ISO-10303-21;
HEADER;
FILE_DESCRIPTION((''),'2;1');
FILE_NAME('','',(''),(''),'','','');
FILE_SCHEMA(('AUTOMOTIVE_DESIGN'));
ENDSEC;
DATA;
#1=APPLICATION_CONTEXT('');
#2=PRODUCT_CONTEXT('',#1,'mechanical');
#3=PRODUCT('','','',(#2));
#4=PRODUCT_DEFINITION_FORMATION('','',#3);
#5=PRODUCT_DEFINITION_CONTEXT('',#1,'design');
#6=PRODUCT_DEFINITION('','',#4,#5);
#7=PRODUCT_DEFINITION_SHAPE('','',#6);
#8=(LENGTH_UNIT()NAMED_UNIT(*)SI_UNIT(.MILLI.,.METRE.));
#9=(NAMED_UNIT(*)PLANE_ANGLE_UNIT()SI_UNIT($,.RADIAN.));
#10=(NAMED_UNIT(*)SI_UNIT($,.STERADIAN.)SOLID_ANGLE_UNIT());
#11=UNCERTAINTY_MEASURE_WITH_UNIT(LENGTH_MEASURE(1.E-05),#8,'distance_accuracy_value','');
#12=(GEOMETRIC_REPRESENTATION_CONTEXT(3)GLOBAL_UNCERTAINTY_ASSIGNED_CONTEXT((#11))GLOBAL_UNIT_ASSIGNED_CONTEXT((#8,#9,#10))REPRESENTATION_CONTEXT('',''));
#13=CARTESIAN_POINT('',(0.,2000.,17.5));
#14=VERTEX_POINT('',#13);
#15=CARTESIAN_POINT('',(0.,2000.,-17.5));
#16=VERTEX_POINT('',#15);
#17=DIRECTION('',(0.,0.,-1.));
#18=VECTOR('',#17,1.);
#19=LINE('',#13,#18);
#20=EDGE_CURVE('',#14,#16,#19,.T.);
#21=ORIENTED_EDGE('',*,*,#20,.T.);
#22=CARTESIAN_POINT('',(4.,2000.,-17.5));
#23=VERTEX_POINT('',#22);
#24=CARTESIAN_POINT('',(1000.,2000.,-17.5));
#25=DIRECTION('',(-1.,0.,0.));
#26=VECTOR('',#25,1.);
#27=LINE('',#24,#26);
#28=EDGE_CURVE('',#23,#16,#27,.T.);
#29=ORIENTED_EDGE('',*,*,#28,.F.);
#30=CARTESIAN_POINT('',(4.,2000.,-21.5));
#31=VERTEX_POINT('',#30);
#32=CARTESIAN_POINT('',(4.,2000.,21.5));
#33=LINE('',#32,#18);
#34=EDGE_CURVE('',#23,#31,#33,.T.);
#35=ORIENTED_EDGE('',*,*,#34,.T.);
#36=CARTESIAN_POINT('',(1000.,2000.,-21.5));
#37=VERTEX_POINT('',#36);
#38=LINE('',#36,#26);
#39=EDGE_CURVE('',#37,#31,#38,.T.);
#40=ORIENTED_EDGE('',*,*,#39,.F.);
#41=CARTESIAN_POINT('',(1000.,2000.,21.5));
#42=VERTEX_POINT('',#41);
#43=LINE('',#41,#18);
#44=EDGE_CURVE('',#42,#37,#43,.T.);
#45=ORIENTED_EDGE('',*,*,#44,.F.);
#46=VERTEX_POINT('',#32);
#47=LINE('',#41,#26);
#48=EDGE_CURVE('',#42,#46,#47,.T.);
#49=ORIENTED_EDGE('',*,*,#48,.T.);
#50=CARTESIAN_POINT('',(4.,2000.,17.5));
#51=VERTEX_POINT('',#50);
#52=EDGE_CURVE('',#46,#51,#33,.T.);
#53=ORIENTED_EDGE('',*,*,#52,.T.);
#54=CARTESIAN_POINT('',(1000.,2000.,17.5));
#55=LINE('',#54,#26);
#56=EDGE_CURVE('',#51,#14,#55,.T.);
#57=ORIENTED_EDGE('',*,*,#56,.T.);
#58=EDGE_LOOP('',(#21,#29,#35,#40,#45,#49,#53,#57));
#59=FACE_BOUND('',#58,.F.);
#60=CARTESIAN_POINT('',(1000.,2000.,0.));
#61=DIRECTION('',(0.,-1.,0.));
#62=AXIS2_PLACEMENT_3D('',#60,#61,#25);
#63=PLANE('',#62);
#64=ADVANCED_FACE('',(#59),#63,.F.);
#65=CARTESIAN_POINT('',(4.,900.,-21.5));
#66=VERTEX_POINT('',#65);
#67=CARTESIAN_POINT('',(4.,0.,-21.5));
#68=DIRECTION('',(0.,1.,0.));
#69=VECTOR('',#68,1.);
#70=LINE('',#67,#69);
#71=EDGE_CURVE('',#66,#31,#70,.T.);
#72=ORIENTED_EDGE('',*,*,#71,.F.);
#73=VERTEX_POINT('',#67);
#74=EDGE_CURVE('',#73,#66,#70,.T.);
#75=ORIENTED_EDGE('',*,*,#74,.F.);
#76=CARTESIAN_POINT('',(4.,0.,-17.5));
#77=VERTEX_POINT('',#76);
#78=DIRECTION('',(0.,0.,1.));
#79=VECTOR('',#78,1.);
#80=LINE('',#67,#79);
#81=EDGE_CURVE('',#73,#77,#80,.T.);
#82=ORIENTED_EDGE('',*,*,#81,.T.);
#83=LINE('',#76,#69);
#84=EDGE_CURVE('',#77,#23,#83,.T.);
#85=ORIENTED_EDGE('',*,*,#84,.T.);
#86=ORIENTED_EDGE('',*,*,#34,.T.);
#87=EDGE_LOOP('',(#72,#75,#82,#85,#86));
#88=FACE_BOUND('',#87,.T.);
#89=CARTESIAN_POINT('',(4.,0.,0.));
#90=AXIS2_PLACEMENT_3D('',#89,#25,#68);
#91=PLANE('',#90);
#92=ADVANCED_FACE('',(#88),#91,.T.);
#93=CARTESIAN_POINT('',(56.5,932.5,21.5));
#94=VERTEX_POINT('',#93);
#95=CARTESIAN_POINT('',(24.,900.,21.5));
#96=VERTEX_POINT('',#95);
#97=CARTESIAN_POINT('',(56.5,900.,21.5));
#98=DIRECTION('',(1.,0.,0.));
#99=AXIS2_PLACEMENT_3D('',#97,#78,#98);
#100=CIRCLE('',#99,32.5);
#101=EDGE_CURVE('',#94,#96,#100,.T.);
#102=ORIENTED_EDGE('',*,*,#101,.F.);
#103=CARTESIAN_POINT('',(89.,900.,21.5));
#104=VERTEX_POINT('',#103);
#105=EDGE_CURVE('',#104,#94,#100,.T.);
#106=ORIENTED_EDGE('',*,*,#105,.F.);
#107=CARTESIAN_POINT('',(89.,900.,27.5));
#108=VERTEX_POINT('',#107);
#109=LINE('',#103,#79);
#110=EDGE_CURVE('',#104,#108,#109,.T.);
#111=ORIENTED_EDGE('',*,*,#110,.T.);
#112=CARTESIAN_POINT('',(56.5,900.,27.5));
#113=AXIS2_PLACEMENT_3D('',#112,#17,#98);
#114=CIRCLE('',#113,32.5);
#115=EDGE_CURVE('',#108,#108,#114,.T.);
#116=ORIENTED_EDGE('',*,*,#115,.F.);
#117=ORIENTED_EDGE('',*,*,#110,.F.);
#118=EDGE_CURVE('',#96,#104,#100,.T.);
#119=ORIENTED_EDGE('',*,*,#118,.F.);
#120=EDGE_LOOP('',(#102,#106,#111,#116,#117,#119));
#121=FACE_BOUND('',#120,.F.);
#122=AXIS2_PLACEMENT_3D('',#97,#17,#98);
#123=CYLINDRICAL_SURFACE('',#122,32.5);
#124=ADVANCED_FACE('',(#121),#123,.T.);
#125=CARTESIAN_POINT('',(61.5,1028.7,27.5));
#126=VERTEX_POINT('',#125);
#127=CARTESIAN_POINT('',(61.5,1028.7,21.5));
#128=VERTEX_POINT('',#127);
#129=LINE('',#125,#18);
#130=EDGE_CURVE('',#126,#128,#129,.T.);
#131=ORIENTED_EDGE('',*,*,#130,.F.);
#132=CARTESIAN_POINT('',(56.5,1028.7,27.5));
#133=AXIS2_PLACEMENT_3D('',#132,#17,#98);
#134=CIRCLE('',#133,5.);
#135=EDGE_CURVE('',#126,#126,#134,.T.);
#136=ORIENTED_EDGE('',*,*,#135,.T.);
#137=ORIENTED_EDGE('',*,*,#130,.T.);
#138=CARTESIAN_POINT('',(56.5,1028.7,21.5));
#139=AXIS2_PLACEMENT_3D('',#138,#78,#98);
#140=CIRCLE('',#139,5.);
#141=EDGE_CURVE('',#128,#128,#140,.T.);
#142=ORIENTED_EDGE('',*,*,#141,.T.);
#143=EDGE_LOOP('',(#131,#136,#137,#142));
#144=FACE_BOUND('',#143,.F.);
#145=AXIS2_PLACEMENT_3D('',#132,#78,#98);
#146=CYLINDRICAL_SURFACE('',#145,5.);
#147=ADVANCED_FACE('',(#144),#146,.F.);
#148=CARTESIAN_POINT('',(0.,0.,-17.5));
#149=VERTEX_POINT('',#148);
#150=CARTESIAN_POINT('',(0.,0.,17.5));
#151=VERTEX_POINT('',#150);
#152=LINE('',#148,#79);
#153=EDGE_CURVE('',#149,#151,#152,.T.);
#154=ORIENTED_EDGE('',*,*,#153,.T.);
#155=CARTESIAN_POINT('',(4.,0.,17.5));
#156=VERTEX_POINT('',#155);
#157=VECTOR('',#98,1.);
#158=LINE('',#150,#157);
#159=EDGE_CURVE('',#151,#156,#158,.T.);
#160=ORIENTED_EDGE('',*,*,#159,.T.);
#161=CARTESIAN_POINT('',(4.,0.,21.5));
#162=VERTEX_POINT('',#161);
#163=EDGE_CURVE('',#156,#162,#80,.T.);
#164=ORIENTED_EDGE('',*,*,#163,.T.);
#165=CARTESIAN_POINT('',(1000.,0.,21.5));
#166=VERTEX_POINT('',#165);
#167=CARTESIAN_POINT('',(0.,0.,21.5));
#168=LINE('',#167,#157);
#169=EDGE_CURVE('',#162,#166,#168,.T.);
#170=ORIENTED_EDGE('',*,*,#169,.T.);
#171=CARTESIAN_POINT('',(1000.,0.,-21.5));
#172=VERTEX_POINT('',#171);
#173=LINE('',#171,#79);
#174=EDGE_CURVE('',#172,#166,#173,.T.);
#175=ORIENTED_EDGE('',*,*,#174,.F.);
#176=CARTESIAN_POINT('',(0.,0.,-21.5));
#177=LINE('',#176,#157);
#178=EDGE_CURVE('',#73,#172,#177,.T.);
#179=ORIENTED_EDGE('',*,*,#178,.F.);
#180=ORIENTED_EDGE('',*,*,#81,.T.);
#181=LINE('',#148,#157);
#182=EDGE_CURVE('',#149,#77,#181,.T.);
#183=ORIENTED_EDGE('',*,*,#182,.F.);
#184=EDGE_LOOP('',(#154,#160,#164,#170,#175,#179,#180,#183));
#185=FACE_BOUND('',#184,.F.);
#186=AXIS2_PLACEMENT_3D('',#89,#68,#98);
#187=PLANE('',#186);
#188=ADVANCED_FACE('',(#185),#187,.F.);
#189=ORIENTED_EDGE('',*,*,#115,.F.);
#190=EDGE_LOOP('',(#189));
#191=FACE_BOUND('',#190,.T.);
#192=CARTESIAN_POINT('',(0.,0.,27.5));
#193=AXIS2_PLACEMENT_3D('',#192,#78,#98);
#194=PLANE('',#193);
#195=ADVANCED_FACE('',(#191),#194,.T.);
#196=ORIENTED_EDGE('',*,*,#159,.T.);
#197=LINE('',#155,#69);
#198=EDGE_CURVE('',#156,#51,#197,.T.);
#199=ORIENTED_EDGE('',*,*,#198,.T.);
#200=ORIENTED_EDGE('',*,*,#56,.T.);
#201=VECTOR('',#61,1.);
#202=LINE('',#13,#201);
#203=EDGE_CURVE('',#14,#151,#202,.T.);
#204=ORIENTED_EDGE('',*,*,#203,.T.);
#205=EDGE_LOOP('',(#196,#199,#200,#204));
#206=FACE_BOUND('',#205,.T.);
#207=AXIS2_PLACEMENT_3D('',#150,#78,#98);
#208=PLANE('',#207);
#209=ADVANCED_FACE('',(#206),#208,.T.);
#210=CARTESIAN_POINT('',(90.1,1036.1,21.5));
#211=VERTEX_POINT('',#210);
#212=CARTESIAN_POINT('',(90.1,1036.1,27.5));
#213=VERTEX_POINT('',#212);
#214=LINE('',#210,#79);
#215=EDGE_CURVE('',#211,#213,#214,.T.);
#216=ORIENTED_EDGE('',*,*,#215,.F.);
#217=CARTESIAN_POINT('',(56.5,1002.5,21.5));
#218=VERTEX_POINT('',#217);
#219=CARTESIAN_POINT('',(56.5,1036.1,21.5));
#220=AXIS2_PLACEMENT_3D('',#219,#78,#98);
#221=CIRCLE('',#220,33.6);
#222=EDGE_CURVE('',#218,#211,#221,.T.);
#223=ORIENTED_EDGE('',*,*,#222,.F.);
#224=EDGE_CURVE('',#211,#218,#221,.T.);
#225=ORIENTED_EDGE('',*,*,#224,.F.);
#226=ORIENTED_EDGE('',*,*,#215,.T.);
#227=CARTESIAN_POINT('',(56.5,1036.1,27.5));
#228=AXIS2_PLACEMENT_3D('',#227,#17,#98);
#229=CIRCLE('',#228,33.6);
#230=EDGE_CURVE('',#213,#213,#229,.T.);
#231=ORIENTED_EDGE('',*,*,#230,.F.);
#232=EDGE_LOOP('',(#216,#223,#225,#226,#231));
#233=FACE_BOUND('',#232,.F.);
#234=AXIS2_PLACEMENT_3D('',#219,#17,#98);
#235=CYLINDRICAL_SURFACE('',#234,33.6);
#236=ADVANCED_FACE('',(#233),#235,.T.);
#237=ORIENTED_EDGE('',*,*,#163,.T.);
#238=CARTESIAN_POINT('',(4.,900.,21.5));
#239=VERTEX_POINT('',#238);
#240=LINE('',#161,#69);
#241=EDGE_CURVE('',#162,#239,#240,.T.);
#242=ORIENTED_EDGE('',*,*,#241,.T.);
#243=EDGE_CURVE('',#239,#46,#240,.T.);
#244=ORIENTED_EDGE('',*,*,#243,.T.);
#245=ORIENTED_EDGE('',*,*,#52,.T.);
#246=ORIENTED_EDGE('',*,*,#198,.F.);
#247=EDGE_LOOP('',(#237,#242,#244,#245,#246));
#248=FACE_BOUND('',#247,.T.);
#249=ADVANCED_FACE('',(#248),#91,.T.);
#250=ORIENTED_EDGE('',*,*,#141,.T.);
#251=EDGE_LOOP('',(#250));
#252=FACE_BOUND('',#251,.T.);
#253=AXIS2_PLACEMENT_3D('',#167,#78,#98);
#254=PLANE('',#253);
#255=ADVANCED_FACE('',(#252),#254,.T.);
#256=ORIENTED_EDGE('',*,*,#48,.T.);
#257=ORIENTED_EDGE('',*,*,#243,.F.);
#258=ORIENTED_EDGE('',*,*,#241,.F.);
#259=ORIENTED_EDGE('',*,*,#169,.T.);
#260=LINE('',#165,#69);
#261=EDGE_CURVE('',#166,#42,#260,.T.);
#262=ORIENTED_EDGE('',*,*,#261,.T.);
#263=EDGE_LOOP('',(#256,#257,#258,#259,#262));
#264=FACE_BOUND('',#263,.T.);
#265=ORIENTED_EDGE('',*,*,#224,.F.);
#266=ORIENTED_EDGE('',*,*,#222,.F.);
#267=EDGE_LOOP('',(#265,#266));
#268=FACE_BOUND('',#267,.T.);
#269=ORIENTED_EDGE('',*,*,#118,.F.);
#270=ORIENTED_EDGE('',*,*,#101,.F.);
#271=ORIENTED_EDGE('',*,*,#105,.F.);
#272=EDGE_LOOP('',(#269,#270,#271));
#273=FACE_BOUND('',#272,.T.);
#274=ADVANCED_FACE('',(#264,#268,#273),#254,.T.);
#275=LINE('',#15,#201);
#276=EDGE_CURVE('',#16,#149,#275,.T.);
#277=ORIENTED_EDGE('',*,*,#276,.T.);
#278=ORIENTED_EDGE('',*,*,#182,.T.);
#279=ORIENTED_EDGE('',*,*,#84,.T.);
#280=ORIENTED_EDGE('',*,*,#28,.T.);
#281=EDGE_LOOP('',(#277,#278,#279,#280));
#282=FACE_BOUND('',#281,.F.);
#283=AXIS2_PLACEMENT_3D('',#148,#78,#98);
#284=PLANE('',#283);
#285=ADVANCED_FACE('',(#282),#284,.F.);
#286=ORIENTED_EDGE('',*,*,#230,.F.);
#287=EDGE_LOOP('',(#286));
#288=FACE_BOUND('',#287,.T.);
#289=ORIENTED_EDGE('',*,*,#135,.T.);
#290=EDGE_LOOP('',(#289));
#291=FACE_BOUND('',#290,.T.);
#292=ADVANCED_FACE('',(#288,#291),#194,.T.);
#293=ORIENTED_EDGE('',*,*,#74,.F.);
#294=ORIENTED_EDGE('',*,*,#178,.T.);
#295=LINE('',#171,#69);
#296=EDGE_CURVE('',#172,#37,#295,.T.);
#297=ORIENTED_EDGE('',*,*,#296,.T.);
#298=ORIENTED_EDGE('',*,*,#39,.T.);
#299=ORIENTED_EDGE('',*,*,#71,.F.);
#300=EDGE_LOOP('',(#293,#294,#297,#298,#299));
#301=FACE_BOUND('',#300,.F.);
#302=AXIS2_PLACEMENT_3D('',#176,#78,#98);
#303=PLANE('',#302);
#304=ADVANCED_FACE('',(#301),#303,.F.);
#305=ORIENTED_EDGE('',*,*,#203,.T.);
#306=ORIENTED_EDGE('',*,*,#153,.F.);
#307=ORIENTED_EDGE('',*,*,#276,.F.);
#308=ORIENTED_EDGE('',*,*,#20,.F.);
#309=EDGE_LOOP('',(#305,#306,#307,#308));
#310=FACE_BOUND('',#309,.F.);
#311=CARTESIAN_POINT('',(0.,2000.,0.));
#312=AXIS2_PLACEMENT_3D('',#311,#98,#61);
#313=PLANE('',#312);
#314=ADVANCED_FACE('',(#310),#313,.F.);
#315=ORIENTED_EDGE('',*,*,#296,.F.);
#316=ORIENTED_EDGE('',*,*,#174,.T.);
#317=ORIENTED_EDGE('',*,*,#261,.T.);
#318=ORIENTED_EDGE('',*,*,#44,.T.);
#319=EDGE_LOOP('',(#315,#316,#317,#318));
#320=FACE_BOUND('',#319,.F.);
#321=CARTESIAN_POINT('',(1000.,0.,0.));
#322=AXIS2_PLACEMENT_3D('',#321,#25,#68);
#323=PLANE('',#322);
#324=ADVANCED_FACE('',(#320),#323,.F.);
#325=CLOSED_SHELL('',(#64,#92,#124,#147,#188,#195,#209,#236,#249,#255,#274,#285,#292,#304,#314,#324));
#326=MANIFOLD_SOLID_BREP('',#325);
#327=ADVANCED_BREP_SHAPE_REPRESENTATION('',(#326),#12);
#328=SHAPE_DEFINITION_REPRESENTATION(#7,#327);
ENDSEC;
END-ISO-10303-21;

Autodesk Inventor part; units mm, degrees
ref_plane "YZ Plane" through (0, 0, 0) normal (1, 0, 0) x (0, 1, 0)
ref_plane "XZ Plane" through (0, 0, 0) normal (0, 1, 0) x (-1, 0, 0)
ref_plane "XY Plane" through (0, 0, 0) normal (0, 0, 1) x (1, 0, 0)
sketch "Sketch1" plane through (0, 0, 0) normal (0, 0, 1) x (1, 0, 0)
  line L0 (0, 0) -> (1000, 0)
  line L1 (1000, 0) -> (1000, 2000)
  line L2 (1000, 2000) -> (0, 2000)
  line L3 (0, 2000) -> (0, 0)
  line L4 (0, 0) -> (4, 0)
  line L5 (0, 0) -> (4, 0) construction
  line L6 (4, 0) -> (4, 2000)
  line L7 (4, 0) -> (4, 900)
  line L8 (4, 900) -> (24, 900)
  line L9 (24, 900) -> (56.5, 900)
  circle A0 centre (56.5, 900) radius 32.5
  line L10 (56.5, 932.5) -> (56.5, 1002.5)
  line L11 (56.5, 1002.5) -> (56.5, 1036.1)
  circle A1 centre (56.5, 1036.1) radius 33.6
  line L12 (56.5, 1069.7) -> (56.5, 1037.7)
  line L13 (56.5, 1037.7) -> (56.5, 1064.7)
  line L14 (56.5, 1064.7) -> (56.5, 1028.7)
  line L15 (56.5, 1028.7) -> (56.5, 1010.7)
  line L16 (56.5, 1010.7) -> (58.505, 1010.7)
  line L17 (56.5, 1064.7) -> (58.505, 1064.7)
  line L18 (60.4989, 1062.8571) -> (63.008, 1031.0205)
  line L19 (60.478, 1012.372) -> (62.8086, 1026.3917)
  arc A2 (62.8086, 1026.3917) -> (63.008, 1031.0205) centre (43.9839, 1029.5211) ccw
  arc A3 (60.4989, 1062.8571) -> (58.505, 1064.7) centre (58.505, 1062.7) ccw
  arc A4 (58.505, 1010.7) -> (60.478, 1012.372) centre (58.505, 1012.7) ccw
  line L20 (63.0493, 1028.7) -> (56.5, 1028.7)
  circle A5 centre (56.5, 1028.7) radius 5
  point P0 (60.2, 1010.7)
  point P1 (60.3536, 1064.7)
  point P2 (49.8, 1028.7)
  dimension "d11" = 65
  dimension "d0" = 1000
  dimension "d1" = 2000
  dimension "d2" = 4
  dimension "d8" = 900
  dimension "d9" = 20
  dimension "d10" = 32.5
  dimension "d12" = 70
  dimension "d13" = 33.6
  dimension "d24" = 32
  dimension "d25" = 27
  dimension "d26" = 36
  dimension "d27" = 18
  dimension "d28" = 3.7
  dimension "d31" = 2
  dimension "d32" = 6.5493
  dimension "d33" = 10
extrude "Extrusion1" add sketch "Sketch1" along normal mid plane 43 contours A1 L12 L14 L11 A5 | L11 L16 A4 L19 A2 L18 A3 L17 L12 A1 | A0 | L6 L2 L1 L0 | L11 A5 L20 A2 L19 A4 L16 | A5 L11 | L11 L20 A5 | L17 A3 L18 A2 L20 A5 L11 L14 L12 | L11 A5 L20
extrude "Extrusion2" add sketch "Sketch1" along normal mid plane 35 contours L3 L2 L6 L0
extrude "Extrusion3" add sketch "Sketch1" along normal blind 6 from surface at 21.5 contours A1 L12 L14 L11 A5 | L11 L16 A4 L19 A2 L18 A3 L17 L12 A1 | A0 | L11 A5 L20 A2 L19 A4 L16 | A5 L11 | L11 L20 A5 | L17 A3 L18 A2 L20 A5 L11 L14 L12 | L11 A5 L20
sketch "Sketch2" plane through (0, 0, 17.5) normal (-1, 0, 0) x (0, 0, 1)
  line L0 (-35, 0) -> (-35, 2000) projected
  line L1 (-17.5, 0) -> (1182.5, 0) construction
  line L2 (10, 1069.7) -> (10, 1002.5) projected
  line L3 (10, 1036.1) -> (-17.5, 1036.1)
  line L4 (10, 932.5) -> (10, 867.5) projected
  line L5 (10, 900) -> (-17.5, 900)
  line L6 (-27.5, 877.5) -> (-7.5, 877.5)
  line L7 (-7.5, 877.5) -> (-7.5, 922.5)
  line L8 (-7.5, 922.5) -> (-27.5, 922.5)
  line L9 (-27.5, 922.5) -> (-27.5, 877.5)
  line L10 (-27.5, 877.5) -> (-7.5, 922.5) construction
  line L11 (-7.5, 877.5) -> (-27.5, 922.5) construction
  line L12 (-17.5, 0) -> (-17.5, 2000)
  line L13 (10, 932.5) -> (-17.5, 932.5)
  line L14 (-27.5, 1011.1) -> (-7.5, 1011.1)
  line L15 (-7.5, 1011.1) -> (-7.5, 1061.1)
  line L16 (-7.5, 1061.1) -> (-27.5, 1061.1)
  line L17 (-27.5, 1061.1) -> (-27.5, 1011.1)
  line L18 (-27.5, 1011.1) -> (-7.5, 1061.1) construction
  line L19 (-7.5, 1011.1) -> (-27.5, 1061.1) construction
  dimension "d20" = 20
  dimension "d21" = 45
  dimension "d22" = 20
  dimension "d23" = 50
extrude "Extrusion4" cut sketch "Sketch1" against normal blind 6 from surface at 27.5 contours A5 L11 | L11 L20 A5 | L11 A5 L20
properties part number "door"
